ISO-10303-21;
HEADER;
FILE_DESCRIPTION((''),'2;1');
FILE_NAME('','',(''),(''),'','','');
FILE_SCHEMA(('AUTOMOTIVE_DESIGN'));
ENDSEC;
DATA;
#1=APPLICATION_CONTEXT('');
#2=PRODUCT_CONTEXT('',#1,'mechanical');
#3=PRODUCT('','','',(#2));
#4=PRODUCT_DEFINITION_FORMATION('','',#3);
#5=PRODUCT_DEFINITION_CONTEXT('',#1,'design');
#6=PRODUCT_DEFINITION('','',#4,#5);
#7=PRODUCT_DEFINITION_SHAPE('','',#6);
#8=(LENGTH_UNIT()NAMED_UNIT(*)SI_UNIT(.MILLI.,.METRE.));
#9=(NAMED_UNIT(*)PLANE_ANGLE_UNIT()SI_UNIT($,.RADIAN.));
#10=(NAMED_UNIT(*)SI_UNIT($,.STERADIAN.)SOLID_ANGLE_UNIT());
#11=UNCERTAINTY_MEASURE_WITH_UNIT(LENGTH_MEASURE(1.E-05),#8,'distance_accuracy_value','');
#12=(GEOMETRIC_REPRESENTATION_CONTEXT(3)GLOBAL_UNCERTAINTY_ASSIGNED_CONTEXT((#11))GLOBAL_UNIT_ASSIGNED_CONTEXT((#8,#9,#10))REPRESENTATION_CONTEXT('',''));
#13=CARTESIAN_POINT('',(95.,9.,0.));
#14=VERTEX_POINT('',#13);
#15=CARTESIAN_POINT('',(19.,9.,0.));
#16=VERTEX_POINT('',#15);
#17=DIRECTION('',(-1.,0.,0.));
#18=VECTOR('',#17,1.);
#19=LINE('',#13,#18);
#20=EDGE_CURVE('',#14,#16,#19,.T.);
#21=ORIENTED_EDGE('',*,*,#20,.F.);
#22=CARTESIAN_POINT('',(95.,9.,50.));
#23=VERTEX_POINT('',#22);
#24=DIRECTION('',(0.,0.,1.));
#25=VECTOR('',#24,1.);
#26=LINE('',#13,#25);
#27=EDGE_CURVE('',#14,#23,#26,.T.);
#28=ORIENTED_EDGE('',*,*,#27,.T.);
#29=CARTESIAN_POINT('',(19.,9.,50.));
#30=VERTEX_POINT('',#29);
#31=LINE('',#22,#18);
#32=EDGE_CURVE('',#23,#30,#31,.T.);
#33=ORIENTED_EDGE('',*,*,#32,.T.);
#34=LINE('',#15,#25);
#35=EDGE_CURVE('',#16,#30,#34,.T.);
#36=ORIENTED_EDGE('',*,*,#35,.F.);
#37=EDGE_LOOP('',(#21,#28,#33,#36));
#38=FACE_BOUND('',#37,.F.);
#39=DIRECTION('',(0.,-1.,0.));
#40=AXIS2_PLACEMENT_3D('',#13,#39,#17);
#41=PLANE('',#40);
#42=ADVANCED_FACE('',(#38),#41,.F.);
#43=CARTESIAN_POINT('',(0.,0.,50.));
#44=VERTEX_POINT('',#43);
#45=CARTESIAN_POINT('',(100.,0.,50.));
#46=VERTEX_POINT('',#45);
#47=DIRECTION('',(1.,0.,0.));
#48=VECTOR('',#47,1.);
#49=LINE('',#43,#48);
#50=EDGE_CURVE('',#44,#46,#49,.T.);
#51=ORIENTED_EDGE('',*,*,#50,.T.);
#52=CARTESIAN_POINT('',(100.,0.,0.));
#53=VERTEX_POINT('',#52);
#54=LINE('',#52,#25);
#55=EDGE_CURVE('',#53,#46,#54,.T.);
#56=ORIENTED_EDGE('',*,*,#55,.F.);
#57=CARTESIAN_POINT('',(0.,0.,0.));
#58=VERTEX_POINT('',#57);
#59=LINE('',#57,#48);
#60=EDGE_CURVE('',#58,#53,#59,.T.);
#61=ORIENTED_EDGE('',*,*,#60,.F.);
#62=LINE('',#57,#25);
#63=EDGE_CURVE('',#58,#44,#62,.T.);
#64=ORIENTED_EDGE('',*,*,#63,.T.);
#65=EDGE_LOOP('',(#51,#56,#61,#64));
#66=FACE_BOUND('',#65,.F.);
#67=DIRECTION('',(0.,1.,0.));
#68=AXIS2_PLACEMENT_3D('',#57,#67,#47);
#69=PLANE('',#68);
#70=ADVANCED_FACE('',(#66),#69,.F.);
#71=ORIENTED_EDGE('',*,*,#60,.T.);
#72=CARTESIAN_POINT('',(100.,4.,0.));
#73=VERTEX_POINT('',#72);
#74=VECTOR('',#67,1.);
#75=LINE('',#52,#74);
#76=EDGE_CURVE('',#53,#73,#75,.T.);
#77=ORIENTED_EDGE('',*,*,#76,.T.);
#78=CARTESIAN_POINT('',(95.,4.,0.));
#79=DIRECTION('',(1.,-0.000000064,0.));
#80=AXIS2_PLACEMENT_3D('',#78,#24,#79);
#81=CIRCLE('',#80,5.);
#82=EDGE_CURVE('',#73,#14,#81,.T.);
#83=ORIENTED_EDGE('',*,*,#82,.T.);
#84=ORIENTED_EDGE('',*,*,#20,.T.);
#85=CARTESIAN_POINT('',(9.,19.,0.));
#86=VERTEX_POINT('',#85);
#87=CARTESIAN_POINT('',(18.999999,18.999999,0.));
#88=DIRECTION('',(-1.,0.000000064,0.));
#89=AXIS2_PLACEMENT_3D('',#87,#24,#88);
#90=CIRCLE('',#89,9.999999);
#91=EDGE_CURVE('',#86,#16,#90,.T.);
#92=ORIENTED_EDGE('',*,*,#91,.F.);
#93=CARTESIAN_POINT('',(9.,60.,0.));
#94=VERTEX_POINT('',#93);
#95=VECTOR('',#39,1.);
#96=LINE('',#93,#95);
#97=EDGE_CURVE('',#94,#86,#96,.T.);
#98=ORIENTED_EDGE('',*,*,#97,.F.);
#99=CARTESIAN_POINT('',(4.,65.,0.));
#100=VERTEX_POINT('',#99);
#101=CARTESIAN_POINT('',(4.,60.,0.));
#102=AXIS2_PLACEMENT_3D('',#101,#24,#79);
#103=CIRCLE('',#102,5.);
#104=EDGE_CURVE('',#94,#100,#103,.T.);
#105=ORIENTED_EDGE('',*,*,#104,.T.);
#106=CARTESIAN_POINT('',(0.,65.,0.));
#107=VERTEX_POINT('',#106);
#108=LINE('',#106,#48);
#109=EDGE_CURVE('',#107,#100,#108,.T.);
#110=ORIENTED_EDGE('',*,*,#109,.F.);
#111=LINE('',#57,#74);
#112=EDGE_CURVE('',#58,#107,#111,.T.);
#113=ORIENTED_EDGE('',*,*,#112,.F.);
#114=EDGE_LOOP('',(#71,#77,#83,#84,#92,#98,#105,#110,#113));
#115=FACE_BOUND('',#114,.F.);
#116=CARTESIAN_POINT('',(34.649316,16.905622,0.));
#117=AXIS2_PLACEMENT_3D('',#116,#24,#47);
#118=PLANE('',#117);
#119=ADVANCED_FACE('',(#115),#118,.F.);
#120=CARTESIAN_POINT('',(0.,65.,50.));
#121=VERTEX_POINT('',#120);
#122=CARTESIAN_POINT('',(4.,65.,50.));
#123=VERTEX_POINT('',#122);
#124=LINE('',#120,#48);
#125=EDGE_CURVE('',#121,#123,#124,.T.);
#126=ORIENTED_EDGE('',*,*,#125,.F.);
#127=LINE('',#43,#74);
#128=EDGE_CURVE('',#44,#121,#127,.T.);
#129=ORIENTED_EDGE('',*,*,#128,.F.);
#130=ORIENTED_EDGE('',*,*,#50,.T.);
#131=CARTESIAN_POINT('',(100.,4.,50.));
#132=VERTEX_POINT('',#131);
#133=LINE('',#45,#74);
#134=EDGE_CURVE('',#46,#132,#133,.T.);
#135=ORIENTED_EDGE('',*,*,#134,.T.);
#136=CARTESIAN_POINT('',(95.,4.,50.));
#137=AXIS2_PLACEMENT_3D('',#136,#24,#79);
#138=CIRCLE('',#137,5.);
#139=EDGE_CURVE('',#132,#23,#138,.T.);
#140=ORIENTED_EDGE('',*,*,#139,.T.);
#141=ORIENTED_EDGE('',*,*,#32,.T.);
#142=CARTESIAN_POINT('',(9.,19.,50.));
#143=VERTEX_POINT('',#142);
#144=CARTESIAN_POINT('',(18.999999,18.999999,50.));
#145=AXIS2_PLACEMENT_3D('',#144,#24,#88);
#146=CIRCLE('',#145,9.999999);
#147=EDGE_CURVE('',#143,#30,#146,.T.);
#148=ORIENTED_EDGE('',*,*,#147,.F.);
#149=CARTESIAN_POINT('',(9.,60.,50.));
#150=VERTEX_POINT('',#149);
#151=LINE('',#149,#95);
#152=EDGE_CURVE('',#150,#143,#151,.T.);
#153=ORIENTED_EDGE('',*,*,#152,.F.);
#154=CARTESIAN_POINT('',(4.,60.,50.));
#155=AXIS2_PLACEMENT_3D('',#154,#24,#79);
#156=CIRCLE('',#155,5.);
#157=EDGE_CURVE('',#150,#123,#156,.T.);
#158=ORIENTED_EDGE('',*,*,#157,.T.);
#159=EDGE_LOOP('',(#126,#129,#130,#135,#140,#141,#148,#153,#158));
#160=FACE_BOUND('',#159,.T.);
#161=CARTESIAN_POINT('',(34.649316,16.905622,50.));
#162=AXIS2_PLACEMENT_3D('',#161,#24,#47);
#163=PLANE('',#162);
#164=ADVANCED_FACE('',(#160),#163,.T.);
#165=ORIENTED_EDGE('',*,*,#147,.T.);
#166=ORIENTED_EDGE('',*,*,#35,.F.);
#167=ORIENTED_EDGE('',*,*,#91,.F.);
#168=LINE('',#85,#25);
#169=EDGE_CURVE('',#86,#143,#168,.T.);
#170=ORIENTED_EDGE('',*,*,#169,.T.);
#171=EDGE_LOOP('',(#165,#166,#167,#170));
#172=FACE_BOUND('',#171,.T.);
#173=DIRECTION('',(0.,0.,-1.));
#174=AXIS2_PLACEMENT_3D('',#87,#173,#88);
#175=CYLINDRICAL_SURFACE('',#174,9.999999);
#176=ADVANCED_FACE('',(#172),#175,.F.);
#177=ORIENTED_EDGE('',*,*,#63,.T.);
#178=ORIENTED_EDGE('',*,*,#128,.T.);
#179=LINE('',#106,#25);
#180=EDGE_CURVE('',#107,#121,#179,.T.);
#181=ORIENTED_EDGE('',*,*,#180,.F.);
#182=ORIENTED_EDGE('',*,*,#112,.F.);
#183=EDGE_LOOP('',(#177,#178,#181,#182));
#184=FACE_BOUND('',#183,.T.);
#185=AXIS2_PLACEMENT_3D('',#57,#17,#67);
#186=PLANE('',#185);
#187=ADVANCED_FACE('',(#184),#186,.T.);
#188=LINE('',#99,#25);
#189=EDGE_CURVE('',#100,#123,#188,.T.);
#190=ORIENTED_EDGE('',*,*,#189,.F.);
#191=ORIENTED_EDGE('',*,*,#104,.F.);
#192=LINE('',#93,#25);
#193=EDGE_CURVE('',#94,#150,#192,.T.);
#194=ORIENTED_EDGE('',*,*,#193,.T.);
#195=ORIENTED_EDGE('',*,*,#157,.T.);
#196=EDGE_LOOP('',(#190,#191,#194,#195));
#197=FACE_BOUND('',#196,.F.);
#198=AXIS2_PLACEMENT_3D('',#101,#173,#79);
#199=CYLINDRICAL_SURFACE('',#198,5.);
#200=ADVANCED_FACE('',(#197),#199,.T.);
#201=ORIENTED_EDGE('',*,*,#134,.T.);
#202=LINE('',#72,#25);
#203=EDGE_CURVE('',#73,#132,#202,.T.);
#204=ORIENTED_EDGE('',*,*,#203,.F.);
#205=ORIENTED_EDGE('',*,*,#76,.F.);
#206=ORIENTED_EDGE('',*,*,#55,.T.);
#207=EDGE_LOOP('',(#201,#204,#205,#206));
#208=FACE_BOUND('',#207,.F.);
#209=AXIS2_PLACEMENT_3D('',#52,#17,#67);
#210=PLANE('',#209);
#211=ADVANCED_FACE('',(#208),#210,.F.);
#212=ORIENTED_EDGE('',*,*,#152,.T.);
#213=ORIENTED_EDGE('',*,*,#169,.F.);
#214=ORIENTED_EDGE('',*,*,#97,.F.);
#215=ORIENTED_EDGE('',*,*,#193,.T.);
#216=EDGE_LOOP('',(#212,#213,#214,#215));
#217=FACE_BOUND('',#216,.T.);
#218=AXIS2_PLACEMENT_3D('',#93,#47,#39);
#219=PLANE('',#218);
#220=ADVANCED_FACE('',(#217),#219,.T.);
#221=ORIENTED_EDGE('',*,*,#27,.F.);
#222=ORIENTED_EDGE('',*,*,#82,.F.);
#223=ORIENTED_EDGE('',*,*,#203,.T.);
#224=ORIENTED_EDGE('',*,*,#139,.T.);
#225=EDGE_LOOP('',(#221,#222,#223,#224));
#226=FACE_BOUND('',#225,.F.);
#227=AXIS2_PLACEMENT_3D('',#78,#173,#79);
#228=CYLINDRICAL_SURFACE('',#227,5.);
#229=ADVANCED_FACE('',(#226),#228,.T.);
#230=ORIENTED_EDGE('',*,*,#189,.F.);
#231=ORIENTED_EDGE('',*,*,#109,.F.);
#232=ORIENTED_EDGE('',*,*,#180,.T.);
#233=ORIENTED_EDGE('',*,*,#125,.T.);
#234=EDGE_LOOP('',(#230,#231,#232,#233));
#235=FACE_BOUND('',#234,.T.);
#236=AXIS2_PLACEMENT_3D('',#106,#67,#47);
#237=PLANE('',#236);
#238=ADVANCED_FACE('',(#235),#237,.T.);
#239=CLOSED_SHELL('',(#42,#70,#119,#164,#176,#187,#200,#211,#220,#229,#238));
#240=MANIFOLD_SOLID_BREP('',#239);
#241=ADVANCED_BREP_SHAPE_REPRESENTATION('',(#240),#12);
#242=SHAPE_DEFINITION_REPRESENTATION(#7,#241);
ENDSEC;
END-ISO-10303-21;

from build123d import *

# Parameters (mm, degrees)
EXTRUDE_DEPTH = 50


with BuildPart() as part:
    # Sketch → Extrude (new body)
    with BuildSketch(Plane.XY):
        with BuildLine():
            Line((0, 0), (100, 0))
            Line((100, 0), (100, 4))
            ThreePointArc((100, 4), (98.535534, 7.535534), (95, 9))
            Line((95, 9), (19, 9))
            ThreePointArc((9, 19), (11.928932, 11.928932), (19, 9))
            Line((9, 60), (9, 19))
            ThreePointArc((9, 60), (7.535534, 63.535534), (4, 65))
            Line((0, 65), (4, 65))
            Line((0, 0), (0, 65))
        make_face()
    extrude(amount=EXTRUDE_DEPTH)


solid = part.part
